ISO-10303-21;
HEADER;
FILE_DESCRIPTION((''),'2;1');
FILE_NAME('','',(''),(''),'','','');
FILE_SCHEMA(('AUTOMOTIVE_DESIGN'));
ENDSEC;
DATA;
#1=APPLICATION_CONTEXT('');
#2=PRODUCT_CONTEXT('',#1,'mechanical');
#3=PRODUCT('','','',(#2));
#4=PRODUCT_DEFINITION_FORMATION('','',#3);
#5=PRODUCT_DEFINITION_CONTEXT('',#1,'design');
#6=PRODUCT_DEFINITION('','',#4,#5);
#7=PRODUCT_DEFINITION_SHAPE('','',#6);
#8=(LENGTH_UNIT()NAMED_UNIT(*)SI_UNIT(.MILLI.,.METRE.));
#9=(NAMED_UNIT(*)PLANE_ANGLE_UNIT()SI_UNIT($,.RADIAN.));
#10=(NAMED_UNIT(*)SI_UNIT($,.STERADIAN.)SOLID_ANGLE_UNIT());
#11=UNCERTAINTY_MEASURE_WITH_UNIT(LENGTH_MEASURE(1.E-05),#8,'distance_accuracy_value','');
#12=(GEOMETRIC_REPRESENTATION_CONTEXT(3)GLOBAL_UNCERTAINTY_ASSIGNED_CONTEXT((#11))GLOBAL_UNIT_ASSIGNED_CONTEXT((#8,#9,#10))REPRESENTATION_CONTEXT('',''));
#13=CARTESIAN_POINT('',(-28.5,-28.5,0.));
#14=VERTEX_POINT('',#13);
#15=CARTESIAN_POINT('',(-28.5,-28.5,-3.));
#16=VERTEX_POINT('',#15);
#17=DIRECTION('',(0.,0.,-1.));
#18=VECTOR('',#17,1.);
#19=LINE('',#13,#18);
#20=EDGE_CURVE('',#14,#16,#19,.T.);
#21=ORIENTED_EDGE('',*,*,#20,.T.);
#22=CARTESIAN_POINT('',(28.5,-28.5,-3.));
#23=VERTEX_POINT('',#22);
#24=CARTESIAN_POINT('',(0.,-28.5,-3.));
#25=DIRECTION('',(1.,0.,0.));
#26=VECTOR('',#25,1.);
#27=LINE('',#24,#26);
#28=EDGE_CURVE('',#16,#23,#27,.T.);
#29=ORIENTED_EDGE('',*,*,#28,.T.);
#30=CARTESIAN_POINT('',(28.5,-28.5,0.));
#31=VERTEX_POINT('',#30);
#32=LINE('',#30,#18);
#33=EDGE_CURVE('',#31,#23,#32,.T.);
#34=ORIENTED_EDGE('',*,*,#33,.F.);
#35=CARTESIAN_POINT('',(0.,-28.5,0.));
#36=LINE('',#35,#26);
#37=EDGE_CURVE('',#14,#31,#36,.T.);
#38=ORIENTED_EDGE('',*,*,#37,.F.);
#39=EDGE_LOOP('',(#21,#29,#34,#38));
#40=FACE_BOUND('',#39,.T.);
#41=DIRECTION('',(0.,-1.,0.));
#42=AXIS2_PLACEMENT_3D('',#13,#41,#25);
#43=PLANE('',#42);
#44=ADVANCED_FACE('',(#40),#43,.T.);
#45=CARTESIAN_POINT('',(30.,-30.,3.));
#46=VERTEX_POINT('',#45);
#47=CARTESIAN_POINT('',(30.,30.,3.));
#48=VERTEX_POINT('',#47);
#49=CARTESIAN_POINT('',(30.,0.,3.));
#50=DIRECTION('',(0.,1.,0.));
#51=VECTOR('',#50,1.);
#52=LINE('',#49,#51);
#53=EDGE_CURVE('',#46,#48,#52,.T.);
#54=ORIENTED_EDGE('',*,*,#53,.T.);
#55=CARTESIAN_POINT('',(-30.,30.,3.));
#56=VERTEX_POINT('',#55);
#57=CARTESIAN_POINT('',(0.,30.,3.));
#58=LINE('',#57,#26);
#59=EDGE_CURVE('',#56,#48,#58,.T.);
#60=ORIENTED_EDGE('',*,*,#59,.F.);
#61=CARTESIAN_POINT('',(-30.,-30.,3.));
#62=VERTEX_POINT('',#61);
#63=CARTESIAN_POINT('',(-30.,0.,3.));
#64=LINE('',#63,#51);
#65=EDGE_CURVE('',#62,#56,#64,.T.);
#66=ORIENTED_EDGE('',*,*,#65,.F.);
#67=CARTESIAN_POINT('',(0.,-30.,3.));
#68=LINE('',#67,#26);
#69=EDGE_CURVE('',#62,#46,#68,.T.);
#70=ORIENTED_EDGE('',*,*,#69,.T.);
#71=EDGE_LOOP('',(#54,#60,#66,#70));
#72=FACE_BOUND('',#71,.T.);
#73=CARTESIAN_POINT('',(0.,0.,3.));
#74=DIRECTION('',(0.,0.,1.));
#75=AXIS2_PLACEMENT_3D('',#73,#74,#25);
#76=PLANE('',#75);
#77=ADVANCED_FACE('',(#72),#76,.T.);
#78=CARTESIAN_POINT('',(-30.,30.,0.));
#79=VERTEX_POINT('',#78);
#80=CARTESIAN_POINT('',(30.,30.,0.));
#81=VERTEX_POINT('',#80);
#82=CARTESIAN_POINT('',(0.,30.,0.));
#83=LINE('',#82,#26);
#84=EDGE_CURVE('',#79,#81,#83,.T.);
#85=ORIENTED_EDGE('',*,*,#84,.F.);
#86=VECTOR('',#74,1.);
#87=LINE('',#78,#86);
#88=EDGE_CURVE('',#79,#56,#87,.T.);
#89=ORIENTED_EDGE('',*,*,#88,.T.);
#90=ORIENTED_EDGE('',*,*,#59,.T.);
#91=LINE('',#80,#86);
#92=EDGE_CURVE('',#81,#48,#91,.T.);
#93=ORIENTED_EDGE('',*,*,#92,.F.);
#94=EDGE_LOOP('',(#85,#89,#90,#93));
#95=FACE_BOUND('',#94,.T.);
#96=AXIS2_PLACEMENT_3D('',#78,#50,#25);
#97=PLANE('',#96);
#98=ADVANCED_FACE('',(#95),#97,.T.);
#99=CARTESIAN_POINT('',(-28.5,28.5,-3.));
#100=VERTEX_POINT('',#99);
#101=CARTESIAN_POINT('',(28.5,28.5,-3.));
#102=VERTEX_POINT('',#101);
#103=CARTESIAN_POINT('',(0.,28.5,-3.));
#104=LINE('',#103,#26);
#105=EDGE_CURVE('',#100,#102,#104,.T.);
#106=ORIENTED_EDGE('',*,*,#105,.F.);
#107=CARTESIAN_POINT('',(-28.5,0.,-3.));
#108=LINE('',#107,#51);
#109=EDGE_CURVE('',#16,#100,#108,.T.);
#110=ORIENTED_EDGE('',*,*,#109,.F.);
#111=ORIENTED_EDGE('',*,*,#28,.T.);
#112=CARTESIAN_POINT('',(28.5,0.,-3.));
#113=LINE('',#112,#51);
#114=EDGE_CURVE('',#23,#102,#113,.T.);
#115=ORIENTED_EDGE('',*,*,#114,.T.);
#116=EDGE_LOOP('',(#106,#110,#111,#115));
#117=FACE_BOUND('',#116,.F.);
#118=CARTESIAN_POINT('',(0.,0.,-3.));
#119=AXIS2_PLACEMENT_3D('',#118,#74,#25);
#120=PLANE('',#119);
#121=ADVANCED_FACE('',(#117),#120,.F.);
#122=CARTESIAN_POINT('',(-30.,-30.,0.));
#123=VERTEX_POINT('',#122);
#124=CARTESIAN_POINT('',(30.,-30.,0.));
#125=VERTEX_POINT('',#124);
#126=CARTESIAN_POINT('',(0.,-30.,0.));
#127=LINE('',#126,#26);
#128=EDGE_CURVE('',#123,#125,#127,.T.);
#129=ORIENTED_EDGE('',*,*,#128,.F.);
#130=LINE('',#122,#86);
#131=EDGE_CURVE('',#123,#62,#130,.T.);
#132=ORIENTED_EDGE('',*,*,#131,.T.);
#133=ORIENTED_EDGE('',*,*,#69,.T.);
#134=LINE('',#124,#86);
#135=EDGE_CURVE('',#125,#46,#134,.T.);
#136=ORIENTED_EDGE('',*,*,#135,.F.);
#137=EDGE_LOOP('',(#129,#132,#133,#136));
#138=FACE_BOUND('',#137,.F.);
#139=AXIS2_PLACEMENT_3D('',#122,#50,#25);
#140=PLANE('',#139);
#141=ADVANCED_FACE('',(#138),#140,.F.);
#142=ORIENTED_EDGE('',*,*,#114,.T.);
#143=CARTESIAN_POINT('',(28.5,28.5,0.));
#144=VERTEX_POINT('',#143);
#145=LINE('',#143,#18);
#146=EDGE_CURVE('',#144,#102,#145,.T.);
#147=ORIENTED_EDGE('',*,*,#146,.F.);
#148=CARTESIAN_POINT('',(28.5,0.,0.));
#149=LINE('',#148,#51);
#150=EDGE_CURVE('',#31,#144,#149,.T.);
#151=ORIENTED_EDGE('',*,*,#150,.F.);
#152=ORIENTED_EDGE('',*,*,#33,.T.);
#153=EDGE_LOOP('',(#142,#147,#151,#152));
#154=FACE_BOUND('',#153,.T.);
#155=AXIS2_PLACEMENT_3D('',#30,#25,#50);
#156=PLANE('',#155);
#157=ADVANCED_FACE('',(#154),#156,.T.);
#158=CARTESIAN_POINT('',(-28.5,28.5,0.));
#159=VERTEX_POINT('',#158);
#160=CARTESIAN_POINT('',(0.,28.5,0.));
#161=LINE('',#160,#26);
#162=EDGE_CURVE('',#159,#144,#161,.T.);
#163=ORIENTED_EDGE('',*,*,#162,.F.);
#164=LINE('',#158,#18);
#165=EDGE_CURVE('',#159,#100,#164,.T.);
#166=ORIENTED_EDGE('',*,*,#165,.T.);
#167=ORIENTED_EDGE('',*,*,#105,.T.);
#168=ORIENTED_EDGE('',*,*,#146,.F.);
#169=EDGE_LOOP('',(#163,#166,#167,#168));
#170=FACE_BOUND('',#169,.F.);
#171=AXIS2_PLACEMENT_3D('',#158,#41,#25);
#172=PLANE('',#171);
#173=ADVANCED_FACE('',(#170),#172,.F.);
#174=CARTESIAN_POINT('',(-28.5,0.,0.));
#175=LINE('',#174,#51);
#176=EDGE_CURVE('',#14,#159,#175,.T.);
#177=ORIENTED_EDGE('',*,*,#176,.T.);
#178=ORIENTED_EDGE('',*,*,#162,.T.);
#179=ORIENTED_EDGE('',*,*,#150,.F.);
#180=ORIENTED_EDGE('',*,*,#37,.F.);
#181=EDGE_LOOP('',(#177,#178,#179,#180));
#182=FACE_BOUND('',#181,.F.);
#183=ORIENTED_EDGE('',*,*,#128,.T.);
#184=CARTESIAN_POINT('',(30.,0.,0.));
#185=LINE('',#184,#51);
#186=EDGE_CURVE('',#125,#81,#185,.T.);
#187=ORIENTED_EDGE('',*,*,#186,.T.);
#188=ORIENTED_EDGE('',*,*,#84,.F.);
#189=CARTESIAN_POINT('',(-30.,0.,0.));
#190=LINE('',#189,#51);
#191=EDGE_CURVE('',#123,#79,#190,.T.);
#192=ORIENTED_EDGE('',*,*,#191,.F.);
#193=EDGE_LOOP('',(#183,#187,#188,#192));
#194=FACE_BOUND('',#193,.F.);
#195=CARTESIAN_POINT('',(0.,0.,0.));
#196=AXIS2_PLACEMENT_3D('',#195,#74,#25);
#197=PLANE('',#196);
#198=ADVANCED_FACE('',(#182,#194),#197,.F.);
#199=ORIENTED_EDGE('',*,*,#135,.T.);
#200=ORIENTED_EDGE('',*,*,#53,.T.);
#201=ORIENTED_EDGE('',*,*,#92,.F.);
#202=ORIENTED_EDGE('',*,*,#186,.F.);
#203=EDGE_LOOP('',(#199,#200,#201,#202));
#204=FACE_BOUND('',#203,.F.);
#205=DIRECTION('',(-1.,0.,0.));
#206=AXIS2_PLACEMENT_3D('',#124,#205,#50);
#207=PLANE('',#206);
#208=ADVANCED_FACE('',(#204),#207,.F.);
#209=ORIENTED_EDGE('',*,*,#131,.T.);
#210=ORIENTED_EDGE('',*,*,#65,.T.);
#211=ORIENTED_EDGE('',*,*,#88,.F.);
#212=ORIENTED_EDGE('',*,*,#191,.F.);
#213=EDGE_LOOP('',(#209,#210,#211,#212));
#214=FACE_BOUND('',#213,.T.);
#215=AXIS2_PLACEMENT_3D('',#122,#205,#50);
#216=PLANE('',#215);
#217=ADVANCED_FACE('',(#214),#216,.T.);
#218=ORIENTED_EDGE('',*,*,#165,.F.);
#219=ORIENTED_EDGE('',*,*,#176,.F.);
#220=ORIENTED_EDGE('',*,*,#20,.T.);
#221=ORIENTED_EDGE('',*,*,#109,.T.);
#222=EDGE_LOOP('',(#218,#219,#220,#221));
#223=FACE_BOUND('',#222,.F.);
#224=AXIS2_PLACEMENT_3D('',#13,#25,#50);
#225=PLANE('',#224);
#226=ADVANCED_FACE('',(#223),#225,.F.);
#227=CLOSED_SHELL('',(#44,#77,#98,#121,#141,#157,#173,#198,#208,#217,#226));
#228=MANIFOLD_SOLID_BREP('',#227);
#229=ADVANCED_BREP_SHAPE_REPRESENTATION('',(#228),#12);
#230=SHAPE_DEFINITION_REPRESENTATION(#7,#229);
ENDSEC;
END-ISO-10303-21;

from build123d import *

# Parameters (mm, degrees)
F0_W     = 60
F0_H     = 60
F1_DEPTH = 3
F2_W     = 57
F2_H     = 57
F3_DEPTH = 3


with BuildPart() as f1:
    # F0 (on Top) → F1 (new body)
    with BuildSketch(Plane.XY):
        Rectangle(F0_W, F0_H)
    extrude(amount=F1_DEPTH)

    # F2 (on Top) → F3 (join)
    with BuildSketch(Plane.XY):
        Rectangle(F2_W, F2_H)
    extrude(amount=-F3_DEPTH)


solid = f1.part
